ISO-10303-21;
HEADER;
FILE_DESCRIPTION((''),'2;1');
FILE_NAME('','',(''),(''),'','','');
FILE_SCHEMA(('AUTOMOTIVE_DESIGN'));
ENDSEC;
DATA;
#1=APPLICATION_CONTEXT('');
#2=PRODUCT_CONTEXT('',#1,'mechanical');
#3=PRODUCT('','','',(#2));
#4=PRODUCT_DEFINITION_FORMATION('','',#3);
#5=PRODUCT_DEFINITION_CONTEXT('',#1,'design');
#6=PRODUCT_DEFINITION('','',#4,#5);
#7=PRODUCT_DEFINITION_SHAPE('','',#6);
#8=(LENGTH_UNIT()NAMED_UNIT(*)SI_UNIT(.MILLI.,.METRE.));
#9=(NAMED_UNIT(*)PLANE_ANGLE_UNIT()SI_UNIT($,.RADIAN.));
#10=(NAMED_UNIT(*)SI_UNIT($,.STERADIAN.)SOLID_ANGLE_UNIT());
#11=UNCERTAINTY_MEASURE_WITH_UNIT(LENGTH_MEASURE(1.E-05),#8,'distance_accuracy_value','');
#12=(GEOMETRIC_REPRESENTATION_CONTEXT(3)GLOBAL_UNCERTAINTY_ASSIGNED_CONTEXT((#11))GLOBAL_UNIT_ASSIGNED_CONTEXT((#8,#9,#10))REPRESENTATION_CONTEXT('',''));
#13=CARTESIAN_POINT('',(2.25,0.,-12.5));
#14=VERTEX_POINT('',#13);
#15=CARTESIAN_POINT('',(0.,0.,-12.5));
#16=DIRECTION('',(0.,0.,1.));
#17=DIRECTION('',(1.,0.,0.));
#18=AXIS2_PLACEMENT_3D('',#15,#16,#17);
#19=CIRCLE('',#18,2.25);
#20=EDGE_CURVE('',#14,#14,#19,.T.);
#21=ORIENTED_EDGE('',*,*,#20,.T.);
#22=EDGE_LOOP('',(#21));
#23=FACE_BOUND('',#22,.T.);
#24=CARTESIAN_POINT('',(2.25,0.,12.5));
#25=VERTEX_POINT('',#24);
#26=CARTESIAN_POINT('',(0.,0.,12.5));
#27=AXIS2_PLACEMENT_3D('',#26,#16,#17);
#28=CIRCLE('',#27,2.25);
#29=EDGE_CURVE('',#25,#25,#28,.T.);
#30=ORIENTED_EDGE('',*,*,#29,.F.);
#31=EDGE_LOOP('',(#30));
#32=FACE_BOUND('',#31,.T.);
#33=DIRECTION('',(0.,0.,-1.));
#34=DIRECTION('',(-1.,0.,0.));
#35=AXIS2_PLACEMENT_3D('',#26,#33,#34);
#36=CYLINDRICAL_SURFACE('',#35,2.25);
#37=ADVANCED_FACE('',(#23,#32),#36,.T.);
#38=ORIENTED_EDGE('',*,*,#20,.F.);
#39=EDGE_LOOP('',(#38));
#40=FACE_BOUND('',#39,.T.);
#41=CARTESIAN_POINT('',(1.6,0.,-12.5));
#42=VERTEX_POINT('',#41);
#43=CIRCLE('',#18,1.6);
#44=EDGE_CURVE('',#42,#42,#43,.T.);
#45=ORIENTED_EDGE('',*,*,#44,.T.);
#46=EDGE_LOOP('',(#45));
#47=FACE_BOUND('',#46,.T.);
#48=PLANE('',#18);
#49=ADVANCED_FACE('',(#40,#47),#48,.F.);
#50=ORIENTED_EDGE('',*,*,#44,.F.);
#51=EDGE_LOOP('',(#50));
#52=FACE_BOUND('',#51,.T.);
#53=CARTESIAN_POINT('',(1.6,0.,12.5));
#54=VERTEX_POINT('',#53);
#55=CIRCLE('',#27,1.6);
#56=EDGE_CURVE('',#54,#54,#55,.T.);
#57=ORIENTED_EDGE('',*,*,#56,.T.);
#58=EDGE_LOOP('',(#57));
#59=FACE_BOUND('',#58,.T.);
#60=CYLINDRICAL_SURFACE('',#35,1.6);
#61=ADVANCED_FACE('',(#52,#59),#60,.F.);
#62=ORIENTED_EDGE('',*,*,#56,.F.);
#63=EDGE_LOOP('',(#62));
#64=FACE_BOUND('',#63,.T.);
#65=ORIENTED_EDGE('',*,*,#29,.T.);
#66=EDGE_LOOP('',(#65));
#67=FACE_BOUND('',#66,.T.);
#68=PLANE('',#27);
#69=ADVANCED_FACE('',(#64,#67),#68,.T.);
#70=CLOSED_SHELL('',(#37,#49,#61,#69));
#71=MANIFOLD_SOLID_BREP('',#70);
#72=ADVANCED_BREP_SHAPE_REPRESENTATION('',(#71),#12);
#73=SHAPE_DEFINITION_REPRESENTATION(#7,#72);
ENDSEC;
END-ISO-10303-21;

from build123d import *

# Parameters (mm, degrees)
SKETCH1_R      = 2.25
SKETCH1_R_2    = 1.6
EXTRUDE1_DEPTH = 12.5


with BuildPart() as part:
    # Sketch1 → Extrude1 (new body, symmetric)
    with BuildSketch(Plane.XY):
        Circle(SKETCH1_R)
        Circle(SKETCH1_R_2, mode=Mode.SUBTRACT)
    extrude(amount=EXTRUDE1_DEPTH, both=True)


solid = part.part
